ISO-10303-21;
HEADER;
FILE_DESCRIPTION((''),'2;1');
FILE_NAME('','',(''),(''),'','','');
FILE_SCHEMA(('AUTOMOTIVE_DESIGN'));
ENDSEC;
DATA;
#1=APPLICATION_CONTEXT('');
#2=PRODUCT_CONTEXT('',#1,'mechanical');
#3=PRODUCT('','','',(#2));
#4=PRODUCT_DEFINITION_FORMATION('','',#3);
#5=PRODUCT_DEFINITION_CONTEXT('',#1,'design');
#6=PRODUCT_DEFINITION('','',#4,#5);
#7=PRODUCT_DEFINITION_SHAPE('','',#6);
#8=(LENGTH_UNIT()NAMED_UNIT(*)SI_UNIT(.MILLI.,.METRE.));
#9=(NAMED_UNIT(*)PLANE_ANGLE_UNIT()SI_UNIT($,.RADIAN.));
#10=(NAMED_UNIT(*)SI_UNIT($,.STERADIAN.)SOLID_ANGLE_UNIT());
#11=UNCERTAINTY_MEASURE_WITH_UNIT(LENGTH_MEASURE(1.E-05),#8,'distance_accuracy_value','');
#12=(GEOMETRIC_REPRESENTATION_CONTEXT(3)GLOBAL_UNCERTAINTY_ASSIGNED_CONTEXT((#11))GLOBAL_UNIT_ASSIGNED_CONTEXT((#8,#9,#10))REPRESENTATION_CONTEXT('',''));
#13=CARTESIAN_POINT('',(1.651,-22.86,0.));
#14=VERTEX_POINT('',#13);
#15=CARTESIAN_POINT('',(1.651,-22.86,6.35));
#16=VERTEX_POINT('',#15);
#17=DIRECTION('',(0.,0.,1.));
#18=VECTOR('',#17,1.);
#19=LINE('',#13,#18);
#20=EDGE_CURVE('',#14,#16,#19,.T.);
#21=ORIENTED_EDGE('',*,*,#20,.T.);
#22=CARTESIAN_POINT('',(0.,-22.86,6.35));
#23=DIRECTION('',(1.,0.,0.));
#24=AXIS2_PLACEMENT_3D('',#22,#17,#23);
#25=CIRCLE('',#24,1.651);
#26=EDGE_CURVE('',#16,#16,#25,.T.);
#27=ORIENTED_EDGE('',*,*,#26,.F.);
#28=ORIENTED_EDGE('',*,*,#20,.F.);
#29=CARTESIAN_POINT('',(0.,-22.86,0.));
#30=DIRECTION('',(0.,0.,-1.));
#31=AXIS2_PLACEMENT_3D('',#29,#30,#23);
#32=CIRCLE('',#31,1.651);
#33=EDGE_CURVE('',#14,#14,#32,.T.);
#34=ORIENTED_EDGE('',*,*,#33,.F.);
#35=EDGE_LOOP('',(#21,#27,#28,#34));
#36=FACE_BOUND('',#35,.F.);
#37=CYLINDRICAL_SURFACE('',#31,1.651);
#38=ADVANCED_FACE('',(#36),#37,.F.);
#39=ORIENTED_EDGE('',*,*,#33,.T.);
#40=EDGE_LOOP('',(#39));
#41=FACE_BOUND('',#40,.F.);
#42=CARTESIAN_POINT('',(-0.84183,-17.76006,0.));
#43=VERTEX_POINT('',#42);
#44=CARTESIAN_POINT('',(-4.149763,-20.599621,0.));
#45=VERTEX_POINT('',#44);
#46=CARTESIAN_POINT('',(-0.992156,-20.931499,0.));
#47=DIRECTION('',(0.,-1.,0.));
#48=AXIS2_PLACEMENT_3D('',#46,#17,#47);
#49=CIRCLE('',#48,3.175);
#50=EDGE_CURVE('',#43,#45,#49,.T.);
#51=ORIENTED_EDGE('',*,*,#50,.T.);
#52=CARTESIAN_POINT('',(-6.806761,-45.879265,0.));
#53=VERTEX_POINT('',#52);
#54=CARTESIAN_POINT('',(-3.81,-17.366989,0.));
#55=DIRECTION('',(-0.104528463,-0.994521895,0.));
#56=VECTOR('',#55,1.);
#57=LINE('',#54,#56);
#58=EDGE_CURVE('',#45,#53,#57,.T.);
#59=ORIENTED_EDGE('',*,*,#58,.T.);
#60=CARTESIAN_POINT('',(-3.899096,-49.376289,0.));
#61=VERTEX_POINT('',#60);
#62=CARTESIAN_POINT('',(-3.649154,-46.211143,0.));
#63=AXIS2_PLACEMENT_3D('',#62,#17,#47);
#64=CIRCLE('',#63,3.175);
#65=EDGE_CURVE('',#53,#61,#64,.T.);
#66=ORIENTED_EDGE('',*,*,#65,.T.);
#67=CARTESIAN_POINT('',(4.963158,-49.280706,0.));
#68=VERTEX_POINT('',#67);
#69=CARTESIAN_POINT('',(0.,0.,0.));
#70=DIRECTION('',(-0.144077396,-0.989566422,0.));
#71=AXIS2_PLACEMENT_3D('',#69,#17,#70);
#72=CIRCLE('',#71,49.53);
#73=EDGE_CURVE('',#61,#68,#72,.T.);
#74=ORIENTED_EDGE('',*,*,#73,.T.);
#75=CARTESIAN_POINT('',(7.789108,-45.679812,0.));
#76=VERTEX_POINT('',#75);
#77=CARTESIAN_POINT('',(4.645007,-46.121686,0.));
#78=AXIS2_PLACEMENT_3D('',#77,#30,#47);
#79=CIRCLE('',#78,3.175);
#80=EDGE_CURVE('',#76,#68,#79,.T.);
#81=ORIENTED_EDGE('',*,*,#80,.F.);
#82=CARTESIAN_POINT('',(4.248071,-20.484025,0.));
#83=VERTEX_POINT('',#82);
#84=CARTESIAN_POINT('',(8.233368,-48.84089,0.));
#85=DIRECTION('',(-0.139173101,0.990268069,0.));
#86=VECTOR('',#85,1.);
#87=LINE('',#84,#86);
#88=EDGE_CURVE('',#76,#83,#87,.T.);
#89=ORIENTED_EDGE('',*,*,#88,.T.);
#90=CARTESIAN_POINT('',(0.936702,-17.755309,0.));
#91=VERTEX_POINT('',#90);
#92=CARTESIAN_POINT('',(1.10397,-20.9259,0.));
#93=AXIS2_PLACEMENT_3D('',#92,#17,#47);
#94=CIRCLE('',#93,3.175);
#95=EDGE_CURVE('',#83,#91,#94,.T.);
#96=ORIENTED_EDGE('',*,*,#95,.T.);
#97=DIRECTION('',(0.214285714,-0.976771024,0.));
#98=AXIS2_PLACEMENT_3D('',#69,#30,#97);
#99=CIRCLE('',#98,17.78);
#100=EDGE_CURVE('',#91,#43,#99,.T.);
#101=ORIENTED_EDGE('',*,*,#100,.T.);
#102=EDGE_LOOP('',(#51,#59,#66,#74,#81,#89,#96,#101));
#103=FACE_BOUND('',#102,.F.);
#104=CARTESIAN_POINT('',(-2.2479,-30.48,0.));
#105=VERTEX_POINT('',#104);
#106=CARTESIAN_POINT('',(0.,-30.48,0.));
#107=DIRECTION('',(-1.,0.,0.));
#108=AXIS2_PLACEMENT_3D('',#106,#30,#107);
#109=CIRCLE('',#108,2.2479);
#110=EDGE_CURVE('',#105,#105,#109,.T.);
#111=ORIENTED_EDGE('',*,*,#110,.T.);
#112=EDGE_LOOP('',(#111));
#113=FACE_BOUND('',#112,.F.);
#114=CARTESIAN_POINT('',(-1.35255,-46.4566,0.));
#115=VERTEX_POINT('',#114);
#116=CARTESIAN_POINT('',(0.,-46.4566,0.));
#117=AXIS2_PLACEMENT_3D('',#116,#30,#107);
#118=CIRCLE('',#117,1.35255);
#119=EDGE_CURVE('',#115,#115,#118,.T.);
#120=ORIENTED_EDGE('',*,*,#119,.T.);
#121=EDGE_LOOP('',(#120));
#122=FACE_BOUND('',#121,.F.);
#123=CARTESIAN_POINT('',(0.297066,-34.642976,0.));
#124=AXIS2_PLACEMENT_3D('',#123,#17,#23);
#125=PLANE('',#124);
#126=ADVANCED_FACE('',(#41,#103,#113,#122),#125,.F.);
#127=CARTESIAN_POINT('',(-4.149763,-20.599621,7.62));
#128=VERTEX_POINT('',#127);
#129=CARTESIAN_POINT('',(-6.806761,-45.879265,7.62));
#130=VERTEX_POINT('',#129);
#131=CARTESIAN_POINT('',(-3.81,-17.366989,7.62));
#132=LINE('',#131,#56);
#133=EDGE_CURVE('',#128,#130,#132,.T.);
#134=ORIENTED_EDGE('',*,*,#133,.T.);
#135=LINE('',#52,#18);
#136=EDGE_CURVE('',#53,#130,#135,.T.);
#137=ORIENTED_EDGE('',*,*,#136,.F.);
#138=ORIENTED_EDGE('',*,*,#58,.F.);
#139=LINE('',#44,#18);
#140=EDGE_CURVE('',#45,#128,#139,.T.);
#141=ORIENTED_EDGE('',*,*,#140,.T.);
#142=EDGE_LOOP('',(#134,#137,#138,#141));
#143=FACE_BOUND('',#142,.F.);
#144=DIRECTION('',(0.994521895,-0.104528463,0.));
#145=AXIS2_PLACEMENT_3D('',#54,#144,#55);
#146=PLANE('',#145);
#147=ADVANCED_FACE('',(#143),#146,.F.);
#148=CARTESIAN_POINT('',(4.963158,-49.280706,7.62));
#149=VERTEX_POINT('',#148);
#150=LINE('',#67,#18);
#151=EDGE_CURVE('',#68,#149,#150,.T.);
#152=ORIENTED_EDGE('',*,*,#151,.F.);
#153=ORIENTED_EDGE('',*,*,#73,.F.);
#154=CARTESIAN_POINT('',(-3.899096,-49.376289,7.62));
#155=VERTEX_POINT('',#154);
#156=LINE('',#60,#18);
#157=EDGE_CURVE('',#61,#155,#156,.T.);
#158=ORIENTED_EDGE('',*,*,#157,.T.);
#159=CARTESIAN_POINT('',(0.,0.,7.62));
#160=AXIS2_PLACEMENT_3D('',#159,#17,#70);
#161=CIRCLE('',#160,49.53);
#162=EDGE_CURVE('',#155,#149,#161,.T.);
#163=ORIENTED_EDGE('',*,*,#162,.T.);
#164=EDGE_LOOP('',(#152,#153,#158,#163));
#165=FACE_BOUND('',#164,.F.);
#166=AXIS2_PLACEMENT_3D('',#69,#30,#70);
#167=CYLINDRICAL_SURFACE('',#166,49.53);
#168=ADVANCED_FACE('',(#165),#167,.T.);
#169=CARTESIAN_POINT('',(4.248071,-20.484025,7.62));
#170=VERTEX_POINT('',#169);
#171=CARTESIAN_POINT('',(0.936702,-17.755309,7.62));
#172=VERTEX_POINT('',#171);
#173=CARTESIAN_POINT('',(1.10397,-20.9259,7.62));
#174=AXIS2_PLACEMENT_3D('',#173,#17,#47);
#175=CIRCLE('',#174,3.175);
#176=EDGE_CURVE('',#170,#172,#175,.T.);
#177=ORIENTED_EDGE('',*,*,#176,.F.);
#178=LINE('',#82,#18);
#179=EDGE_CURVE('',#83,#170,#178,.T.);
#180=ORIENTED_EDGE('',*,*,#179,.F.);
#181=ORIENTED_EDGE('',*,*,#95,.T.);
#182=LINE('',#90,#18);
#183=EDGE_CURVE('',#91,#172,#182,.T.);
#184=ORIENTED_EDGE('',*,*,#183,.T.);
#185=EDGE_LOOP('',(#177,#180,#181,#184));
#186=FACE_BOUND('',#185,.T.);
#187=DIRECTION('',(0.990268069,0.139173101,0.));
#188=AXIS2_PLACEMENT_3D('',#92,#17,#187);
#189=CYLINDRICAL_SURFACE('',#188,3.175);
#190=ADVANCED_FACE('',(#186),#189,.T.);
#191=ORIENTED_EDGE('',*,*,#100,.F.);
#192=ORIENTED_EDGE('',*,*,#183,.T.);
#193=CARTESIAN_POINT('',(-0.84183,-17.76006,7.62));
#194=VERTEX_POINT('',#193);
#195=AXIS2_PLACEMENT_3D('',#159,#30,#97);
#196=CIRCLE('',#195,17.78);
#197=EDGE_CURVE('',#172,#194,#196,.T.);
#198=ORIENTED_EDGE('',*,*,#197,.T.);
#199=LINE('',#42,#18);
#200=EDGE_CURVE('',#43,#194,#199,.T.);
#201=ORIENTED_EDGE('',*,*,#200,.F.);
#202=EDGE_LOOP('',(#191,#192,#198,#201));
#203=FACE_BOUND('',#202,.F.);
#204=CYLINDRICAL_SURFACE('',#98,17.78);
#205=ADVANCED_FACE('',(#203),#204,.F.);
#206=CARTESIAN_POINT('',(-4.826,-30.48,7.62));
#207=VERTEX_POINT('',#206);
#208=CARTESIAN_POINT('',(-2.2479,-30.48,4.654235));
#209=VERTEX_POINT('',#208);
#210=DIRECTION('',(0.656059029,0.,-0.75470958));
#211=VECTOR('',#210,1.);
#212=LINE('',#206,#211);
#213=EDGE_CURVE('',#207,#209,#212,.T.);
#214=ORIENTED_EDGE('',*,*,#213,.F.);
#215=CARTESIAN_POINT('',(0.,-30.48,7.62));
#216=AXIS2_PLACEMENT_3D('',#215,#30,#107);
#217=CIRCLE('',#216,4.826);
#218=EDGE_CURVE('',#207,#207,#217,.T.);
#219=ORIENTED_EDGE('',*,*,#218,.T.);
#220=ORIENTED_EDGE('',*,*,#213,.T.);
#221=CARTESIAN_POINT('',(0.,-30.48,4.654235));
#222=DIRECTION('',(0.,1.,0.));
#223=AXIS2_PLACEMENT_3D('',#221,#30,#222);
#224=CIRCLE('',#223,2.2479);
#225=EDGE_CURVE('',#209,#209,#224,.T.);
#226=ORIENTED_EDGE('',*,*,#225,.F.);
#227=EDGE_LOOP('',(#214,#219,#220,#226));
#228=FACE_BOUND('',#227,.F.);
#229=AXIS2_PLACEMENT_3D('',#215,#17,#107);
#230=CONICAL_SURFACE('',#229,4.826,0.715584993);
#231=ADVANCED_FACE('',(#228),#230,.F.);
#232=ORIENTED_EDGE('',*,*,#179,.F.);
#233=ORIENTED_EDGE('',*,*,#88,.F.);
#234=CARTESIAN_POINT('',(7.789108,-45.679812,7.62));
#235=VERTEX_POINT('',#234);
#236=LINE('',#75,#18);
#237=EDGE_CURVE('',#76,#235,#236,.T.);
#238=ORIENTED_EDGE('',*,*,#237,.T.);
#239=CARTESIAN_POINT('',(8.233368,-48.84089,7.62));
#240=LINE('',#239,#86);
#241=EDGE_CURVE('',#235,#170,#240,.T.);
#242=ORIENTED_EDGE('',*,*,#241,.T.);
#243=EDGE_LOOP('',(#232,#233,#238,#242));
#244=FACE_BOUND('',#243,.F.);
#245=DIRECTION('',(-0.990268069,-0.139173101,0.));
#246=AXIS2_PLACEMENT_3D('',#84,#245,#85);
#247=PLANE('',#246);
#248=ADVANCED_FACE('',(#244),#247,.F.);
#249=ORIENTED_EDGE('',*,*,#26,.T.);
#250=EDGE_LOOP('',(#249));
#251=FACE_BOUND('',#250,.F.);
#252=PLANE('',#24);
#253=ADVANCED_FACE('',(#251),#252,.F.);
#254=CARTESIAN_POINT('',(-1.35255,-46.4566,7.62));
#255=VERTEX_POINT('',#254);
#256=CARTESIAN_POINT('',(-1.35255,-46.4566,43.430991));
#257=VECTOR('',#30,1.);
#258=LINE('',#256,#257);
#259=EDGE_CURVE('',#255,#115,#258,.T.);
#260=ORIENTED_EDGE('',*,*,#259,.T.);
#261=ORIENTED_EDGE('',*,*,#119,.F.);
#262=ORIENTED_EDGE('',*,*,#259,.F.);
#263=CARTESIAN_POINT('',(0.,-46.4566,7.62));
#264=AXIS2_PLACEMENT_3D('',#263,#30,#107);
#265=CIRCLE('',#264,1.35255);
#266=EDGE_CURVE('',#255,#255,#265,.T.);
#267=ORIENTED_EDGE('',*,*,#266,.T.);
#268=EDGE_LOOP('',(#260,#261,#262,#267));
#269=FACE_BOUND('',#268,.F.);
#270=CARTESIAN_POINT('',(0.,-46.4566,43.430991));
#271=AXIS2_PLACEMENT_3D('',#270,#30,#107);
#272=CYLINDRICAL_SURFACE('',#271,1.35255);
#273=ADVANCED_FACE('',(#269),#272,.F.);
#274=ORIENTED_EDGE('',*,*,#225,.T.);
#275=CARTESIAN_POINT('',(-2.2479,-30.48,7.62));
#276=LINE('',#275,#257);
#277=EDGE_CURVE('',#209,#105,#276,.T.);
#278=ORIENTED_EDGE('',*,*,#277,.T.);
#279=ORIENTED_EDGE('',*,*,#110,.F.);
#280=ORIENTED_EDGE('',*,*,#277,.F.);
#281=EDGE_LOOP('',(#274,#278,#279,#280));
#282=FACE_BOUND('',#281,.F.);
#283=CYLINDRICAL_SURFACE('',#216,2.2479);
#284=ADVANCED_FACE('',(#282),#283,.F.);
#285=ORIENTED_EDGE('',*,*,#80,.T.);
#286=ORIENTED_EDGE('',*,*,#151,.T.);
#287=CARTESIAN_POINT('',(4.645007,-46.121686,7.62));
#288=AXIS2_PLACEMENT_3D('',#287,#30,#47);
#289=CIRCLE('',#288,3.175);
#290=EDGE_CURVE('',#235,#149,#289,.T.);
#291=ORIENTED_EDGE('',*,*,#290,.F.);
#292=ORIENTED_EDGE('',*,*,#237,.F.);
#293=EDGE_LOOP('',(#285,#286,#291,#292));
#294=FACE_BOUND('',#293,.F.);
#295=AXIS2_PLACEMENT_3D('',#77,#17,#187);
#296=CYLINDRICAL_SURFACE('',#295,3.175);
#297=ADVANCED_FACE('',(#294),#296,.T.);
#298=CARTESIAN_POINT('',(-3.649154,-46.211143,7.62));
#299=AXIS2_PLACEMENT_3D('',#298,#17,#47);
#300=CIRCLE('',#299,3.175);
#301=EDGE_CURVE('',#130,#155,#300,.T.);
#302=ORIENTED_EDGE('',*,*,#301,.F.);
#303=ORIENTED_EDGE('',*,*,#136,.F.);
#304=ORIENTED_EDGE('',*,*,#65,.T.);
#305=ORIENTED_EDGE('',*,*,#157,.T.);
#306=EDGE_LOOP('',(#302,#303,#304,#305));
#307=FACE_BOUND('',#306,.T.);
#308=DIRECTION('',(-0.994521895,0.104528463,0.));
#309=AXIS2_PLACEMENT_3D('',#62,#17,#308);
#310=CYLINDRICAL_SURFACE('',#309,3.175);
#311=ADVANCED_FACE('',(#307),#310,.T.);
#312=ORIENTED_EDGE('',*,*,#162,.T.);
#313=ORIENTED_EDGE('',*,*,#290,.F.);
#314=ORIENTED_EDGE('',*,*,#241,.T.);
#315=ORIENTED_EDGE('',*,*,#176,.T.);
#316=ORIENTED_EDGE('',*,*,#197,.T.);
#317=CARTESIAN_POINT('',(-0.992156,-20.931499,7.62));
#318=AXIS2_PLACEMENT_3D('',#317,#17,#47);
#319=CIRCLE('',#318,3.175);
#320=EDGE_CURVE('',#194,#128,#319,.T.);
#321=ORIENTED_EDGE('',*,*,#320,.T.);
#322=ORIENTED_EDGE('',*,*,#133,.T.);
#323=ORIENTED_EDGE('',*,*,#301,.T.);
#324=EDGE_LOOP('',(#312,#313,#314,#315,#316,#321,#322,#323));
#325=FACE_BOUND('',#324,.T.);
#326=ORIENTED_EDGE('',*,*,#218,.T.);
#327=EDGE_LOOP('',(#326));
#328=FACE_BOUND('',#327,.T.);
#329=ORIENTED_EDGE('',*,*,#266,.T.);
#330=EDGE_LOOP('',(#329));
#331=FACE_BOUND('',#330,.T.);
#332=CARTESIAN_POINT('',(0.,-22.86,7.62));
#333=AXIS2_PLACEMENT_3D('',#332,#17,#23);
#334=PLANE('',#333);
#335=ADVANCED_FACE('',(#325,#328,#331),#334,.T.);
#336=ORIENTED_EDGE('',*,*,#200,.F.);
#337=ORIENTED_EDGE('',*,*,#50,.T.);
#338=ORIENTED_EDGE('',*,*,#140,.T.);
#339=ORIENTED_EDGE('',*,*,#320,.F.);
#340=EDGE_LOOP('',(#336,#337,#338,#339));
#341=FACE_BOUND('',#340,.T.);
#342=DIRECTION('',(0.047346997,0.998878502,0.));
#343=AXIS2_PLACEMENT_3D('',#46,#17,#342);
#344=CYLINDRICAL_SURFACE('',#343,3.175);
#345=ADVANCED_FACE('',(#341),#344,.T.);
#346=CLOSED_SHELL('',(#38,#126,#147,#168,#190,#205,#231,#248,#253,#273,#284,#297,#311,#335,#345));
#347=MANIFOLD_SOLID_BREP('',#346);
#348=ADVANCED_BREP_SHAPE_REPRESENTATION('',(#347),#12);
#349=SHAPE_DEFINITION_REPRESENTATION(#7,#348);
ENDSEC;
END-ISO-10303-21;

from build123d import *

# Parameters (mm, degrees)
F1_DEPTH       = 7.62
F2_R           = 3.175
F4_D           = 2.7051
F6_D           = 4.4958
F6_CSINK_D     = 9.652
F6_CSINK_ANGLE = 82
F7_R           = 1.651
F8_DEPTH       = 7.621
F9_R           = 1.651
F10_DEPTH      = 1.27


with BuildPart() as f1:
    # F0 (on Top) → F1 (new body)
    with BuildSketch(Plane.XY):
        with BuildLine():
            Line((8.2333683595, -48.8408900969), (3.81, -17.3669888006))
            ThreePointArc((3.81, -17.3669888006), (0, -17.78), (-3.81, -17.3669888006))
            Line((-3.81, -17.3669888006), (-7.1361534431, -49.0132248892))
            ThreePointArc((-7.1361534431, -49.0132248892), (0.5553332003, -49.5268866883), (8.2333683595, -48.8408900969))
        make_face()
    extrude(amount=F1_DEPTH)

    # F2
    f2_edges = [f1.edges().sort_by_distance(p)[0] for p in [
        (-7.136153, -49.013225, 3.81),
        (-3.81, -17.366989, 3.81),
        (8.233368, -48.84089, 3.81),
        (3.81, -17.366989, 3.81),
    ]]
    fillet(f2_edges, radius=F2_R)

    # F4 (through all)
    with Locations(Plane.XY.offset(7.62)):
        with Locations((0, -46.4566)):
            Hole(F4_D / 2)

    # F6 (through all)
    with Locations(Plane.XY.offset(7.62)):
        with Locations((0, -30.48)):
            CounterSinkHole(F6_D / 2, F6_CSINK_D / 2, counter_sink_angle=F6_CSINK_ANGLE)

    # F7 (on face) → F8 (cut, through all)
    with BuildSketch(Plane(origin=(0, 0, 0), x_dir=(1, 0, 0), z_dir=(0, 0, -1))):
        with Locations((0, 22.86)):
            Circle(F7_R)
    extrude(amount=-F8_DEPTH, mode=Mode.SUBTRACT)

    # F9 (on face) → F10 (join)
    with BuildSketch(Plane.XY.offset(7.62)):
        with Locations((0, -22.86)):
            Circle(F9_R)
    extrude(amount=-F10_DEPTH)


solid = f1.part
